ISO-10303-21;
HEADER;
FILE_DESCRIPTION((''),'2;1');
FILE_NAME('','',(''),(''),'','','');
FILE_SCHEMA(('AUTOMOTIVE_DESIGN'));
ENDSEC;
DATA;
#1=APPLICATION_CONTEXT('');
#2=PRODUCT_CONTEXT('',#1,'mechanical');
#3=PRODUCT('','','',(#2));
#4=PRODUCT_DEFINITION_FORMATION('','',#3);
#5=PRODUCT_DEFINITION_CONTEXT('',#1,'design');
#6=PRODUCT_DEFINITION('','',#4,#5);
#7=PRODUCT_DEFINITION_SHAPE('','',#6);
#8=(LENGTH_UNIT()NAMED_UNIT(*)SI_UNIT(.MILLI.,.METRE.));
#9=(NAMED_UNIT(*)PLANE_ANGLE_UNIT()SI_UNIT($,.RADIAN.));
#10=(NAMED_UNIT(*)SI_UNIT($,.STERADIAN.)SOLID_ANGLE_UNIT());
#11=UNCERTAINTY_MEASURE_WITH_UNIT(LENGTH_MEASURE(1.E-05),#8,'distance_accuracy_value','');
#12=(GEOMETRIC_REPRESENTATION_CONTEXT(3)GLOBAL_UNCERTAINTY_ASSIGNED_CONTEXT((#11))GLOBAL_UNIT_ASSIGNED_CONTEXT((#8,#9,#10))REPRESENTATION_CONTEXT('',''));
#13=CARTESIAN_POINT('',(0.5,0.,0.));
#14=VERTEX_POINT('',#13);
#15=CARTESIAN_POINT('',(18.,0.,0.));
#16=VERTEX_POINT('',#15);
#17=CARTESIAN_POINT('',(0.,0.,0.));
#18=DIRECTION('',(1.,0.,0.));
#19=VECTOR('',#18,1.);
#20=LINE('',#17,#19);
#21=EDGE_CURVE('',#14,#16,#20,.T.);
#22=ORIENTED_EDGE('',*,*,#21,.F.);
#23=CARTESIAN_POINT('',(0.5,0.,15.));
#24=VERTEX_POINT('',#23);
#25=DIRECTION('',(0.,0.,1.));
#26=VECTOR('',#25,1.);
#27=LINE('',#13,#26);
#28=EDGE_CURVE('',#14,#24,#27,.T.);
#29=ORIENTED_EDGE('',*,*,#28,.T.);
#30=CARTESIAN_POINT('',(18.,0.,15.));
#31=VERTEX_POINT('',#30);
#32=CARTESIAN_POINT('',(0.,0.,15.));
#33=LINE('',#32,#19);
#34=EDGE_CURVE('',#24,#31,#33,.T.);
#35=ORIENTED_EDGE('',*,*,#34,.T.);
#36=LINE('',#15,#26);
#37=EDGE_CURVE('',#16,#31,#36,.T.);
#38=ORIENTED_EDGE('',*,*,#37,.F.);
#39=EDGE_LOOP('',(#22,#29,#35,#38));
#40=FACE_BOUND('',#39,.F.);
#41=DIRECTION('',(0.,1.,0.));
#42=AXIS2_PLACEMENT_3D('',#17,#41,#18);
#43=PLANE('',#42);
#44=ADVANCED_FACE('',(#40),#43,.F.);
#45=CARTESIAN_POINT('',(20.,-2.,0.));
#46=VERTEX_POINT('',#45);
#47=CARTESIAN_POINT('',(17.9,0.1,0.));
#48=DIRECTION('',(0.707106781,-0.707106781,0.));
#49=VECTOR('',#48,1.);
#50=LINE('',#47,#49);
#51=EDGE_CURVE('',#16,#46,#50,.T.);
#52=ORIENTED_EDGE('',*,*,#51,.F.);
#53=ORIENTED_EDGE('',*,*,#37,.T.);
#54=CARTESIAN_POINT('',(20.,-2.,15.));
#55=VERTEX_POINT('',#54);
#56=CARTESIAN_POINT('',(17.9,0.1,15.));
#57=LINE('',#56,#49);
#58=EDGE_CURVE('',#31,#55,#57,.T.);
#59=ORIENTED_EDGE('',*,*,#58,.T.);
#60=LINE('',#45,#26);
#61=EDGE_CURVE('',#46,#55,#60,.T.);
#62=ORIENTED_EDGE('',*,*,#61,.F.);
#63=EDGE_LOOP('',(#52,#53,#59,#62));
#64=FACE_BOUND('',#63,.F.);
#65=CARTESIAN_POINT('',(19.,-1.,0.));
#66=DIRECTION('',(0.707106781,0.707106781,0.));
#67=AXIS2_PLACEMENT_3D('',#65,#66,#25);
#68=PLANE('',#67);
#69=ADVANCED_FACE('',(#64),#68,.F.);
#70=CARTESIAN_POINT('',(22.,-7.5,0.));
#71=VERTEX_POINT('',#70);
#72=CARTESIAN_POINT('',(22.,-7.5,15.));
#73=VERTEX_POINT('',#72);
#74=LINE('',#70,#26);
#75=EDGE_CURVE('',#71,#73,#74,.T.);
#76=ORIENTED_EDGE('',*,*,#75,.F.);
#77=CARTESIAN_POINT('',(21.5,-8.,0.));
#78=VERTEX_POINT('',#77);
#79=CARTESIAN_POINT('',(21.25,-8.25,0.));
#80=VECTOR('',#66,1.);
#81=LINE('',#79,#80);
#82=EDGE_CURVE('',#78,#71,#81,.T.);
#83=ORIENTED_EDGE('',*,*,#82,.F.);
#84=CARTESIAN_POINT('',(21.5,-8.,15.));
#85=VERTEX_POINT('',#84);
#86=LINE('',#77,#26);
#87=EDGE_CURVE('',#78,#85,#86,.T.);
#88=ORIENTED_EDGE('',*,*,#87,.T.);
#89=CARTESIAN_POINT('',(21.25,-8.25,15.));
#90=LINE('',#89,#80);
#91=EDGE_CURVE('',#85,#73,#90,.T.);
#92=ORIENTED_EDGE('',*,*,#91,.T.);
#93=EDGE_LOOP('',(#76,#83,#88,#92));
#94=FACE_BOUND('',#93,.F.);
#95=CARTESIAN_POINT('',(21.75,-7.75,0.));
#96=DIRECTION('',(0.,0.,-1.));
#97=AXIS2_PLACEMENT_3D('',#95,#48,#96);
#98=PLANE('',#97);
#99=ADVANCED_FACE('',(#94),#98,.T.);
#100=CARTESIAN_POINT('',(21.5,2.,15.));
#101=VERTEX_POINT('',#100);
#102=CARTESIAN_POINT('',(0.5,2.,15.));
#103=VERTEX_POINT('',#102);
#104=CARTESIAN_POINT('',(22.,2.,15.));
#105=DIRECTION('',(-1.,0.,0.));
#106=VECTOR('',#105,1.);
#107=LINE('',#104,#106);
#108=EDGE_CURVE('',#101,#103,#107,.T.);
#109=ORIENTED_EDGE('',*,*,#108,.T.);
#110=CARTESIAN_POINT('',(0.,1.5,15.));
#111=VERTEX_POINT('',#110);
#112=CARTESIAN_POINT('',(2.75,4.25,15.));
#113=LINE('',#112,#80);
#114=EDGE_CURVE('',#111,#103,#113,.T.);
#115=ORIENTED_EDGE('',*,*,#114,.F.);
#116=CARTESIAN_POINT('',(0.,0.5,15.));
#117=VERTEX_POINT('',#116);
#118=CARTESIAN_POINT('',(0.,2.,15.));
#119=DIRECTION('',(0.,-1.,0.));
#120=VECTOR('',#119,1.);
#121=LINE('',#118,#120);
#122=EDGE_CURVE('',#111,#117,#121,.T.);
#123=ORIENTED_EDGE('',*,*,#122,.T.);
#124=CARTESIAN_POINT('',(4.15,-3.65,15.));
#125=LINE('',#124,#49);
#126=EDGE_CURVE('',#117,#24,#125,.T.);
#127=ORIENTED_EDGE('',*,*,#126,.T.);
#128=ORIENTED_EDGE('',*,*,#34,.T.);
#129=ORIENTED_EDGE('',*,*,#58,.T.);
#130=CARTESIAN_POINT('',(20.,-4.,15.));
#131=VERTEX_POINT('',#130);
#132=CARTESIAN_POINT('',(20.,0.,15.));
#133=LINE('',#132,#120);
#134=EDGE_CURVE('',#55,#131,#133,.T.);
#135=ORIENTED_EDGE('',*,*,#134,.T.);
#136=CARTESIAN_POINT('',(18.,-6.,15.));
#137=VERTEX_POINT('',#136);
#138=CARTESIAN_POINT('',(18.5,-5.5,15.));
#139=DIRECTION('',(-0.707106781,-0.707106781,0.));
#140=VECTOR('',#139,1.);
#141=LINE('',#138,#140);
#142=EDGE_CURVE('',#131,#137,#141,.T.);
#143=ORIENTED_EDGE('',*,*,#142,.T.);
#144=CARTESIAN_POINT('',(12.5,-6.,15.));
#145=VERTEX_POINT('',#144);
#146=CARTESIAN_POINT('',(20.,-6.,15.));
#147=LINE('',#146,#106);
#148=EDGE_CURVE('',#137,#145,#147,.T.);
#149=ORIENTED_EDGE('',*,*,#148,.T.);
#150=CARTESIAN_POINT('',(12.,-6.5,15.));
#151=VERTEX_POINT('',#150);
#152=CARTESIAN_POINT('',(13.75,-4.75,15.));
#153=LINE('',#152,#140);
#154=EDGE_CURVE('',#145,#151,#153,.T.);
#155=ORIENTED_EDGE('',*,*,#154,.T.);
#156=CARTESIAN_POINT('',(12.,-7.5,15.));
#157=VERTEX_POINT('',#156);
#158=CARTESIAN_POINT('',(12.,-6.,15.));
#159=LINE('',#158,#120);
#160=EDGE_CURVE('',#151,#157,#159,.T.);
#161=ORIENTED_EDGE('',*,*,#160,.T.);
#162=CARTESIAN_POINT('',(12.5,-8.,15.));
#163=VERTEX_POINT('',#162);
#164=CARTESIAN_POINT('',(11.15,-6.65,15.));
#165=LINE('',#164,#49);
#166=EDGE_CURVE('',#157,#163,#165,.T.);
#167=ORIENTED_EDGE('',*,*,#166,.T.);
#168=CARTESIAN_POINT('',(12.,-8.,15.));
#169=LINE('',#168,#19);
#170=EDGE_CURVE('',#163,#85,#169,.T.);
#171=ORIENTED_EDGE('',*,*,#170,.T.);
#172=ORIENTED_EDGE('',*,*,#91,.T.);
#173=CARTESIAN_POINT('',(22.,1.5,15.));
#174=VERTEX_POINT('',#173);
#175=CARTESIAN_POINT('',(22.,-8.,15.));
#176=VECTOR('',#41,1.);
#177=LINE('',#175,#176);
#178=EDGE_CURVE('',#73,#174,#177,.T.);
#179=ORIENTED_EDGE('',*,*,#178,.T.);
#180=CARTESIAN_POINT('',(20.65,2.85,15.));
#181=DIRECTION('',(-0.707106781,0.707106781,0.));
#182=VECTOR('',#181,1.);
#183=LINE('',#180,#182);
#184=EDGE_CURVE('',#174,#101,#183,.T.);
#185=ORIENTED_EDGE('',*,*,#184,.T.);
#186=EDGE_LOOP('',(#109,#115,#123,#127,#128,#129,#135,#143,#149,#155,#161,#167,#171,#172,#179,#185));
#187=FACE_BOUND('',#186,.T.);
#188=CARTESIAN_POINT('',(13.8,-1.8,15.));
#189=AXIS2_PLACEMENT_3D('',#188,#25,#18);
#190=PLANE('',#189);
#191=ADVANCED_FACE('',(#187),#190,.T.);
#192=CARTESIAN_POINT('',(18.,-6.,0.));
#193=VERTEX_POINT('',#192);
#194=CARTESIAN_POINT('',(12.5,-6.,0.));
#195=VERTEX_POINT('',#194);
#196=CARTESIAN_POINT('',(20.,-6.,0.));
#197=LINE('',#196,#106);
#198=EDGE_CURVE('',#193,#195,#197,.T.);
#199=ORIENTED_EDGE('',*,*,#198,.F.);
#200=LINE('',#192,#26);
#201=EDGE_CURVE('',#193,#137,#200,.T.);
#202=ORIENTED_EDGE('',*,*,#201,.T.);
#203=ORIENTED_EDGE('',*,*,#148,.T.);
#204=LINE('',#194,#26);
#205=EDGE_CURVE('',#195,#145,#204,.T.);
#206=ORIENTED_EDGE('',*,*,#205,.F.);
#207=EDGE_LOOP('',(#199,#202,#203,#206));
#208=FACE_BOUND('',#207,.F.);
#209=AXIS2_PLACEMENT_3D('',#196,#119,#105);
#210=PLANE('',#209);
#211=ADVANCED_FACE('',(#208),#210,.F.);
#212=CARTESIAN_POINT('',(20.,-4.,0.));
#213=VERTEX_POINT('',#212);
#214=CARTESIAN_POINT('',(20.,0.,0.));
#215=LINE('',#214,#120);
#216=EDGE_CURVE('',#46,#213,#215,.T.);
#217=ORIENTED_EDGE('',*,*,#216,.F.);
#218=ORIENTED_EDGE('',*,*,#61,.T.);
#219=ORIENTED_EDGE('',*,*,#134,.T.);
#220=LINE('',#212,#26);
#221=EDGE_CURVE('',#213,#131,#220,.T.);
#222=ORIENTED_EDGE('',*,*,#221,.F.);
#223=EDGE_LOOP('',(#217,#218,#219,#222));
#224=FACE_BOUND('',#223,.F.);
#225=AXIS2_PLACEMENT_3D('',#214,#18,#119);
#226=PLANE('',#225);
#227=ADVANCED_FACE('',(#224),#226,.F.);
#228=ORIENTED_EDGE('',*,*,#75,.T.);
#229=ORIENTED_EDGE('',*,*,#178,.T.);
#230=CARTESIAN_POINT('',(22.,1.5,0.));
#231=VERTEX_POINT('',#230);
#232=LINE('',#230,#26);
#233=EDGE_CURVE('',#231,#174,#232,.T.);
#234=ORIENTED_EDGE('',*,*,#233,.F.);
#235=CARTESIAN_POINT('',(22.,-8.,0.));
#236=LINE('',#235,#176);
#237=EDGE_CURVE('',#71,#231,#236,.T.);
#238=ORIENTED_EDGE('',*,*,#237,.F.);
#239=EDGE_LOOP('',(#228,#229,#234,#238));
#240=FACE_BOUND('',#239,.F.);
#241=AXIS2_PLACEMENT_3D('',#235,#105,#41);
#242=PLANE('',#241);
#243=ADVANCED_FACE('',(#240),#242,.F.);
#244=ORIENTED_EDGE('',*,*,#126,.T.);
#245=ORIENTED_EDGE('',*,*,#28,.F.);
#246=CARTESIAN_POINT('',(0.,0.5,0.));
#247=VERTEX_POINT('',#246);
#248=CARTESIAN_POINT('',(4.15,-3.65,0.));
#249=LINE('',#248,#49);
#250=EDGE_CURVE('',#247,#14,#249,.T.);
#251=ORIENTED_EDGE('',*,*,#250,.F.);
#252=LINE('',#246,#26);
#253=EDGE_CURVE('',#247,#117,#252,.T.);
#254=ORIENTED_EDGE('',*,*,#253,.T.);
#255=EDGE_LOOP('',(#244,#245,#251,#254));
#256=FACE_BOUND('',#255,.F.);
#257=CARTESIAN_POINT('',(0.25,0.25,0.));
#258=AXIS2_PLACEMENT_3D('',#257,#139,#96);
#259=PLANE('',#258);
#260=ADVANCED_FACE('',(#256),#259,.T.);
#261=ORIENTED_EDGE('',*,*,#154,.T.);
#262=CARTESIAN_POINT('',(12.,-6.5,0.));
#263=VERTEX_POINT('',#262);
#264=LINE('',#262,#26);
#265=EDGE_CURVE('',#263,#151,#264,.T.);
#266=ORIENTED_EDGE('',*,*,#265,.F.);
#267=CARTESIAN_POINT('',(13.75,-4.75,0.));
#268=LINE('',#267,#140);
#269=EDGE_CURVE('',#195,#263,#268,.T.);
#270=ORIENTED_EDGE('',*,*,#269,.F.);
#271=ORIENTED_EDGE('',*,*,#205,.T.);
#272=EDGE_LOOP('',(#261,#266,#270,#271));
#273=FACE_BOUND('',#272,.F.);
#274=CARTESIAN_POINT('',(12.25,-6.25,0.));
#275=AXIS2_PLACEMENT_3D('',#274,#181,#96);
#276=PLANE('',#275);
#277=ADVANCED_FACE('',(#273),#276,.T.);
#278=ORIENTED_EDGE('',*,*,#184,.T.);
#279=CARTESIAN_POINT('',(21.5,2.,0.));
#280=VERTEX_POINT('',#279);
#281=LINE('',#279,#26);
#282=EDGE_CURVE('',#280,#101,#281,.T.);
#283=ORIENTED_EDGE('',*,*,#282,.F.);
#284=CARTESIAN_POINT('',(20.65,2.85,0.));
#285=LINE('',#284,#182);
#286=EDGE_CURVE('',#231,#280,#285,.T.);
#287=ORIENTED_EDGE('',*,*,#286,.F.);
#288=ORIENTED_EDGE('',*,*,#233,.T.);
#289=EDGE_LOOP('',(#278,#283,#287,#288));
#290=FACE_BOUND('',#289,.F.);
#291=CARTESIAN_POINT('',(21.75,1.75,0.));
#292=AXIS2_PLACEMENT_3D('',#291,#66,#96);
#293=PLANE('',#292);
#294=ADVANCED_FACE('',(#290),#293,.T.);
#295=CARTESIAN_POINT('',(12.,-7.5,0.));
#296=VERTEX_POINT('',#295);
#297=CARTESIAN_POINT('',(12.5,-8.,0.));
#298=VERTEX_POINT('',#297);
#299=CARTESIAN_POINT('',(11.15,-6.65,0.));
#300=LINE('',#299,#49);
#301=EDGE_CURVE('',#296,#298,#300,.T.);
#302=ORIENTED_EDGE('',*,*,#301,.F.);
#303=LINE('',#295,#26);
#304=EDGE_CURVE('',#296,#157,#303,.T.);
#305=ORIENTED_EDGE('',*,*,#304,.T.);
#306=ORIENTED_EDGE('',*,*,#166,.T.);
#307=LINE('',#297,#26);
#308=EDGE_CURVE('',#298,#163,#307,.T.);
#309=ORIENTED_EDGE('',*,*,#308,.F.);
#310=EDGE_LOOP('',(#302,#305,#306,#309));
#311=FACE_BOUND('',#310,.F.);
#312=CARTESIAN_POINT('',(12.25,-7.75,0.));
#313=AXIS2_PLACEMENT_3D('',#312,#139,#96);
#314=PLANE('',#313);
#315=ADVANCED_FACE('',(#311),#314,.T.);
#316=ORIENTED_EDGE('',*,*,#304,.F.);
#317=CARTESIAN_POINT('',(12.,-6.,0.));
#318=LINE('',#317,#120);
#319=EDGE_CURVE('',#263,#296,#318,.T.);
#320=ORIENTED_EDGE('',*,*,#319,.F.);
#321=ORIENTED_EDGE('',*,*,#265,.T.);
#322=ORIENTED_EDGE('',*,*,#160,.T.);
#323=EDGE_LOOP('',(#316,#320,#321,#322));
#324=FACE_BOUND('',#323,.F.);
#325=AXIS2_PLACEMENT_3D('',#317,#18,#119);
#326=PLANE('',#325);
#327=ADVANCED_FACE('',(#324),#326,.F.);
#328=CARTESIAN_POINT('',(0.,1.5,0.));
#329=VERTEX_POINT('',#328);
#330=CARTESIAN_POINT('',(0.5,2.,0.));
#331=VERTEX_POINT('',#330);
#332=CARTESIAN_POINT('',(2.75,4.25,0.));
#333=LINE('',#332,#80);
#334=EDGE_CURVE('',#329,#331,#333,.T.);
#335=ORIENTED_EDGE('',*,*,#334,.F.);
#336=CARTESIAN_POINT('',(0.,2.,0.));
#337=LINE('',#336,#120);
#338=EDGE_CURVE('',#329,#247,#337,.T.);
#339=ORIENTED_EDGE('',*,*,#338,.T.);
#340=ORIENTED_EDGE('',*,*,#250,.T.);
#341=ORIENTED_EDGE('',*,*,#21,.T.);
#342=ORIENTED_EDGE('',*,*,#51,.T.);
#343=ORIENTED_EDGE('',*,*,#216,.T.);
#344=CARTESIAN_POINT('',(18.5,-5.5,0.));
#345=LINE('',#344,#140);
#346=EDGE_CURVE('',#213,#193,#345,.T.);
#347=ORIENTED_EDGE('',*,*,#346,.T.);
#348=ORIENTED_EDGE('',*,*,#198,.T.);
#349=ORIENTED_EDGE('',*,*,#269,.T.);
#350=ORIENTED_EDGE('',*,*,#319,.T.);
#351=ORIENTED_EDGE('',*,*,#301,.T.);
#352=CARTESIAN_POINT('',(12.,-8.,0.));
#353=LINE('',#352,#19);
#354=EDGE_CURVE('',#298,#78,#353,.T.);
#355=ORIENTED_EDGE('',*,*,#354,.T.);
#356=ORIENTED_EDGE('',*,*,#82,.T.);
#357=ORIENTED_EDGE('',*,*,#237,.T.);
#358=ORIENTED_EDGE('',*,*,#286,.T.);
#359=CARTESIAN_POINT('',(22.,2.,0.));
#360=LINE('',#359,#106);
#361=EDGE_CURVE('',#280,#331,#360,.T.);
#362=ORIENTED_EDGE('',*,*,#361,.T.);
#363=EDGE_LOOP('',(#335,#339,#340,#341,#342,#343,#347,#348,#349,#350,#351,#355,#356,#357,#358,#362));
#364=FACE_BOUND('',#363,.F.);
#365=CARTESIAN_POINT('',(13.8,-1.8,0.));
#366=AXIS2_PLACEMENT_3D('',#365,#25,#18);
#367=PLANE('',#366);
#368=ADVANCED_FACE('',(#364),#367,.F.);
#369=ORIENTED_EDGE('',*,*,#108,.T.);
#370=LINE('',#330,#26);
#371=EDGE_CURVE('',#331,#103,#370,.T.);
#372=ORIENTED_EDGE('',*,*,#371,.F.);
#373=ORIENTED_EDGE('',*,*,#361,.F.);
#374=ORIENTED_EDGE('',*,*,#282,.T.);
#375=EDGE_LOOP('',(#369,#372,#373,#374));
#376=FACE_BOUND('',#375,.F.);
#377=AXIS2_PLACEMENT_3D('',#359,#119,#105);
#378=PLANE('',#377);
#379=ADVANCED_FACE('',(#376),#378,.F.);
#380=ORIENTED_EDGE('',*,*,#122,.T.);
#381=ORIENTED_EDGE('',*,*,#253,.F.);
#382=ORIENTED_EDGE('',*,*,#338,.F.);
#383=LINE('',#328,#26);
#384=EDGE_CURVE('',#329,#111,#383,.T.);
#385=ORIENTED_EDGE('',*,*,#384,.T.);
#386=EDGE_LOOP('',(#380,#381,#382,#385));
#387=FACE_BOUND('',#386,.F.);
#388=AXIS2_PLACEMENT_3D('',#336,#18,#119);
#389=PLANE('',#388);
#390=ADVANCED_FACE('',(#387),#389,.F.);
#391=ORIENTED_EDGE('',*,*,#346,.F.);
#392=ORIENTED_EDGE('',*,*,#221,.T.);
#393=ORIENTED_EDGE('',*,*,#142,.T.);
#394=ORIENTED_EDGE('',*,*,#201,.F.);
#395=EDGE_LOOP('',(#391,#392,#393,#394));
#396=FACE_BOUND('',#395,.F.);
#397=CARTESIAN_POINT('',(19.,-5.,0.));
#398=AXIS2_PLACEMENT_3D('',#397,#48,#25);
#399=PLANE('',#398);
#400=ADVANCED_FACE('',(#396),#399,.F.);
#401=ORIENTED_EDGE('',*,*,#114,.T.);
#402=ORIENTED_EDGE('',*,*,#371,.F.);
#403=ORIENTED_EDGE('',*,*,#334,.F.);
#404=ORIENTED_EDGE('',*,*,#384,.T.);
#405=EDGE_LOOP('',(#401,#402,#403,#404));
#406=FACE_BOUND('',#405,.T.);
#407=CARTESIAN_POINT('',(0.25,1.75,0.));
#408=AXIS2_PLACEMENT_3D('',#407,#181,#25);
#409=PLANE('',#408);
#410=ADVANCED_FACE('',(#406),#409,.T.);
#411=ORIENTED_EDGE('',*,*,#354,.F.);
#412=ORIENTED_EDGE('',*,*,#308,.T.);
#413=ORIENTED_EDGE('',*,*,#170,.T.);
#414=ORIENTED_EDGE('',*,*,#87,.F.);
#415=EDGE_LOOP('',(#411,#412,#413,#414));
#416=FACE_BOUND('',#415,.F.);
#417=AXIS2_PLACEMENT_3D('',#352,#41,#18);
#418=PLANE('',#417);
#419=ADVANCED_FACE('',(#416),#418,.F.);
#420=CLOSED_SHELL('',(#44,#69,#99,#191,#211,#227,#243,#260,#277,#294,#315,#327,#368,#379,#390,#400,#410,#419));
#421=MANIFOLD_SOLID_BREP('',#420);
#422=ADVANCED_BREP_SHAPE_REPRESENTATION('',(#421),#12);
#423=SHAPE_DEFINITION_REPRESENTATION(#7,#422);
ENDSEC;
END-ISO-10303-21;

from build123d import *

# Parameters (mm, degrees)
F1_DEPTH = 15
F2_SIZE  = 0.5
F3_SIZE  = 2


with BuildPart() as f1:
    # F0 (on Top) → F1 (new body)
    with BuildSketch(Plane.XY):
        Polygon((0, 2), (0, 0), (20, 0), (20, -6), (12, -6), (12, -8), (20, -8), (22, -8), (22, -6), (22, 0), (22, 2), (20, 2), align=None)
    extrude(amount=F1_DEPTH)

    # F2
    f2_edges = [f1.edges().sort_by_distance(p)[0] for p in [
        (0, 2, 7.5),
        (0, 0, 7.5),
        (12, -8, 7.5),
        (12, -6, 7.5),
        (22, -8, 7.5),
        (22, 2, 7.5),
    ]]
    chamfer(f2_edges, length=F2_SIZE)

    # F3
    f3_edges = [f1.edges().sort_by_distance(p)[0] for p in [
        (20, 0, 7.5),
        (20, -6, 7.5),
    ]]
    chamfer(f3_edges, length=F3_SIZE)


solid = f1.part
